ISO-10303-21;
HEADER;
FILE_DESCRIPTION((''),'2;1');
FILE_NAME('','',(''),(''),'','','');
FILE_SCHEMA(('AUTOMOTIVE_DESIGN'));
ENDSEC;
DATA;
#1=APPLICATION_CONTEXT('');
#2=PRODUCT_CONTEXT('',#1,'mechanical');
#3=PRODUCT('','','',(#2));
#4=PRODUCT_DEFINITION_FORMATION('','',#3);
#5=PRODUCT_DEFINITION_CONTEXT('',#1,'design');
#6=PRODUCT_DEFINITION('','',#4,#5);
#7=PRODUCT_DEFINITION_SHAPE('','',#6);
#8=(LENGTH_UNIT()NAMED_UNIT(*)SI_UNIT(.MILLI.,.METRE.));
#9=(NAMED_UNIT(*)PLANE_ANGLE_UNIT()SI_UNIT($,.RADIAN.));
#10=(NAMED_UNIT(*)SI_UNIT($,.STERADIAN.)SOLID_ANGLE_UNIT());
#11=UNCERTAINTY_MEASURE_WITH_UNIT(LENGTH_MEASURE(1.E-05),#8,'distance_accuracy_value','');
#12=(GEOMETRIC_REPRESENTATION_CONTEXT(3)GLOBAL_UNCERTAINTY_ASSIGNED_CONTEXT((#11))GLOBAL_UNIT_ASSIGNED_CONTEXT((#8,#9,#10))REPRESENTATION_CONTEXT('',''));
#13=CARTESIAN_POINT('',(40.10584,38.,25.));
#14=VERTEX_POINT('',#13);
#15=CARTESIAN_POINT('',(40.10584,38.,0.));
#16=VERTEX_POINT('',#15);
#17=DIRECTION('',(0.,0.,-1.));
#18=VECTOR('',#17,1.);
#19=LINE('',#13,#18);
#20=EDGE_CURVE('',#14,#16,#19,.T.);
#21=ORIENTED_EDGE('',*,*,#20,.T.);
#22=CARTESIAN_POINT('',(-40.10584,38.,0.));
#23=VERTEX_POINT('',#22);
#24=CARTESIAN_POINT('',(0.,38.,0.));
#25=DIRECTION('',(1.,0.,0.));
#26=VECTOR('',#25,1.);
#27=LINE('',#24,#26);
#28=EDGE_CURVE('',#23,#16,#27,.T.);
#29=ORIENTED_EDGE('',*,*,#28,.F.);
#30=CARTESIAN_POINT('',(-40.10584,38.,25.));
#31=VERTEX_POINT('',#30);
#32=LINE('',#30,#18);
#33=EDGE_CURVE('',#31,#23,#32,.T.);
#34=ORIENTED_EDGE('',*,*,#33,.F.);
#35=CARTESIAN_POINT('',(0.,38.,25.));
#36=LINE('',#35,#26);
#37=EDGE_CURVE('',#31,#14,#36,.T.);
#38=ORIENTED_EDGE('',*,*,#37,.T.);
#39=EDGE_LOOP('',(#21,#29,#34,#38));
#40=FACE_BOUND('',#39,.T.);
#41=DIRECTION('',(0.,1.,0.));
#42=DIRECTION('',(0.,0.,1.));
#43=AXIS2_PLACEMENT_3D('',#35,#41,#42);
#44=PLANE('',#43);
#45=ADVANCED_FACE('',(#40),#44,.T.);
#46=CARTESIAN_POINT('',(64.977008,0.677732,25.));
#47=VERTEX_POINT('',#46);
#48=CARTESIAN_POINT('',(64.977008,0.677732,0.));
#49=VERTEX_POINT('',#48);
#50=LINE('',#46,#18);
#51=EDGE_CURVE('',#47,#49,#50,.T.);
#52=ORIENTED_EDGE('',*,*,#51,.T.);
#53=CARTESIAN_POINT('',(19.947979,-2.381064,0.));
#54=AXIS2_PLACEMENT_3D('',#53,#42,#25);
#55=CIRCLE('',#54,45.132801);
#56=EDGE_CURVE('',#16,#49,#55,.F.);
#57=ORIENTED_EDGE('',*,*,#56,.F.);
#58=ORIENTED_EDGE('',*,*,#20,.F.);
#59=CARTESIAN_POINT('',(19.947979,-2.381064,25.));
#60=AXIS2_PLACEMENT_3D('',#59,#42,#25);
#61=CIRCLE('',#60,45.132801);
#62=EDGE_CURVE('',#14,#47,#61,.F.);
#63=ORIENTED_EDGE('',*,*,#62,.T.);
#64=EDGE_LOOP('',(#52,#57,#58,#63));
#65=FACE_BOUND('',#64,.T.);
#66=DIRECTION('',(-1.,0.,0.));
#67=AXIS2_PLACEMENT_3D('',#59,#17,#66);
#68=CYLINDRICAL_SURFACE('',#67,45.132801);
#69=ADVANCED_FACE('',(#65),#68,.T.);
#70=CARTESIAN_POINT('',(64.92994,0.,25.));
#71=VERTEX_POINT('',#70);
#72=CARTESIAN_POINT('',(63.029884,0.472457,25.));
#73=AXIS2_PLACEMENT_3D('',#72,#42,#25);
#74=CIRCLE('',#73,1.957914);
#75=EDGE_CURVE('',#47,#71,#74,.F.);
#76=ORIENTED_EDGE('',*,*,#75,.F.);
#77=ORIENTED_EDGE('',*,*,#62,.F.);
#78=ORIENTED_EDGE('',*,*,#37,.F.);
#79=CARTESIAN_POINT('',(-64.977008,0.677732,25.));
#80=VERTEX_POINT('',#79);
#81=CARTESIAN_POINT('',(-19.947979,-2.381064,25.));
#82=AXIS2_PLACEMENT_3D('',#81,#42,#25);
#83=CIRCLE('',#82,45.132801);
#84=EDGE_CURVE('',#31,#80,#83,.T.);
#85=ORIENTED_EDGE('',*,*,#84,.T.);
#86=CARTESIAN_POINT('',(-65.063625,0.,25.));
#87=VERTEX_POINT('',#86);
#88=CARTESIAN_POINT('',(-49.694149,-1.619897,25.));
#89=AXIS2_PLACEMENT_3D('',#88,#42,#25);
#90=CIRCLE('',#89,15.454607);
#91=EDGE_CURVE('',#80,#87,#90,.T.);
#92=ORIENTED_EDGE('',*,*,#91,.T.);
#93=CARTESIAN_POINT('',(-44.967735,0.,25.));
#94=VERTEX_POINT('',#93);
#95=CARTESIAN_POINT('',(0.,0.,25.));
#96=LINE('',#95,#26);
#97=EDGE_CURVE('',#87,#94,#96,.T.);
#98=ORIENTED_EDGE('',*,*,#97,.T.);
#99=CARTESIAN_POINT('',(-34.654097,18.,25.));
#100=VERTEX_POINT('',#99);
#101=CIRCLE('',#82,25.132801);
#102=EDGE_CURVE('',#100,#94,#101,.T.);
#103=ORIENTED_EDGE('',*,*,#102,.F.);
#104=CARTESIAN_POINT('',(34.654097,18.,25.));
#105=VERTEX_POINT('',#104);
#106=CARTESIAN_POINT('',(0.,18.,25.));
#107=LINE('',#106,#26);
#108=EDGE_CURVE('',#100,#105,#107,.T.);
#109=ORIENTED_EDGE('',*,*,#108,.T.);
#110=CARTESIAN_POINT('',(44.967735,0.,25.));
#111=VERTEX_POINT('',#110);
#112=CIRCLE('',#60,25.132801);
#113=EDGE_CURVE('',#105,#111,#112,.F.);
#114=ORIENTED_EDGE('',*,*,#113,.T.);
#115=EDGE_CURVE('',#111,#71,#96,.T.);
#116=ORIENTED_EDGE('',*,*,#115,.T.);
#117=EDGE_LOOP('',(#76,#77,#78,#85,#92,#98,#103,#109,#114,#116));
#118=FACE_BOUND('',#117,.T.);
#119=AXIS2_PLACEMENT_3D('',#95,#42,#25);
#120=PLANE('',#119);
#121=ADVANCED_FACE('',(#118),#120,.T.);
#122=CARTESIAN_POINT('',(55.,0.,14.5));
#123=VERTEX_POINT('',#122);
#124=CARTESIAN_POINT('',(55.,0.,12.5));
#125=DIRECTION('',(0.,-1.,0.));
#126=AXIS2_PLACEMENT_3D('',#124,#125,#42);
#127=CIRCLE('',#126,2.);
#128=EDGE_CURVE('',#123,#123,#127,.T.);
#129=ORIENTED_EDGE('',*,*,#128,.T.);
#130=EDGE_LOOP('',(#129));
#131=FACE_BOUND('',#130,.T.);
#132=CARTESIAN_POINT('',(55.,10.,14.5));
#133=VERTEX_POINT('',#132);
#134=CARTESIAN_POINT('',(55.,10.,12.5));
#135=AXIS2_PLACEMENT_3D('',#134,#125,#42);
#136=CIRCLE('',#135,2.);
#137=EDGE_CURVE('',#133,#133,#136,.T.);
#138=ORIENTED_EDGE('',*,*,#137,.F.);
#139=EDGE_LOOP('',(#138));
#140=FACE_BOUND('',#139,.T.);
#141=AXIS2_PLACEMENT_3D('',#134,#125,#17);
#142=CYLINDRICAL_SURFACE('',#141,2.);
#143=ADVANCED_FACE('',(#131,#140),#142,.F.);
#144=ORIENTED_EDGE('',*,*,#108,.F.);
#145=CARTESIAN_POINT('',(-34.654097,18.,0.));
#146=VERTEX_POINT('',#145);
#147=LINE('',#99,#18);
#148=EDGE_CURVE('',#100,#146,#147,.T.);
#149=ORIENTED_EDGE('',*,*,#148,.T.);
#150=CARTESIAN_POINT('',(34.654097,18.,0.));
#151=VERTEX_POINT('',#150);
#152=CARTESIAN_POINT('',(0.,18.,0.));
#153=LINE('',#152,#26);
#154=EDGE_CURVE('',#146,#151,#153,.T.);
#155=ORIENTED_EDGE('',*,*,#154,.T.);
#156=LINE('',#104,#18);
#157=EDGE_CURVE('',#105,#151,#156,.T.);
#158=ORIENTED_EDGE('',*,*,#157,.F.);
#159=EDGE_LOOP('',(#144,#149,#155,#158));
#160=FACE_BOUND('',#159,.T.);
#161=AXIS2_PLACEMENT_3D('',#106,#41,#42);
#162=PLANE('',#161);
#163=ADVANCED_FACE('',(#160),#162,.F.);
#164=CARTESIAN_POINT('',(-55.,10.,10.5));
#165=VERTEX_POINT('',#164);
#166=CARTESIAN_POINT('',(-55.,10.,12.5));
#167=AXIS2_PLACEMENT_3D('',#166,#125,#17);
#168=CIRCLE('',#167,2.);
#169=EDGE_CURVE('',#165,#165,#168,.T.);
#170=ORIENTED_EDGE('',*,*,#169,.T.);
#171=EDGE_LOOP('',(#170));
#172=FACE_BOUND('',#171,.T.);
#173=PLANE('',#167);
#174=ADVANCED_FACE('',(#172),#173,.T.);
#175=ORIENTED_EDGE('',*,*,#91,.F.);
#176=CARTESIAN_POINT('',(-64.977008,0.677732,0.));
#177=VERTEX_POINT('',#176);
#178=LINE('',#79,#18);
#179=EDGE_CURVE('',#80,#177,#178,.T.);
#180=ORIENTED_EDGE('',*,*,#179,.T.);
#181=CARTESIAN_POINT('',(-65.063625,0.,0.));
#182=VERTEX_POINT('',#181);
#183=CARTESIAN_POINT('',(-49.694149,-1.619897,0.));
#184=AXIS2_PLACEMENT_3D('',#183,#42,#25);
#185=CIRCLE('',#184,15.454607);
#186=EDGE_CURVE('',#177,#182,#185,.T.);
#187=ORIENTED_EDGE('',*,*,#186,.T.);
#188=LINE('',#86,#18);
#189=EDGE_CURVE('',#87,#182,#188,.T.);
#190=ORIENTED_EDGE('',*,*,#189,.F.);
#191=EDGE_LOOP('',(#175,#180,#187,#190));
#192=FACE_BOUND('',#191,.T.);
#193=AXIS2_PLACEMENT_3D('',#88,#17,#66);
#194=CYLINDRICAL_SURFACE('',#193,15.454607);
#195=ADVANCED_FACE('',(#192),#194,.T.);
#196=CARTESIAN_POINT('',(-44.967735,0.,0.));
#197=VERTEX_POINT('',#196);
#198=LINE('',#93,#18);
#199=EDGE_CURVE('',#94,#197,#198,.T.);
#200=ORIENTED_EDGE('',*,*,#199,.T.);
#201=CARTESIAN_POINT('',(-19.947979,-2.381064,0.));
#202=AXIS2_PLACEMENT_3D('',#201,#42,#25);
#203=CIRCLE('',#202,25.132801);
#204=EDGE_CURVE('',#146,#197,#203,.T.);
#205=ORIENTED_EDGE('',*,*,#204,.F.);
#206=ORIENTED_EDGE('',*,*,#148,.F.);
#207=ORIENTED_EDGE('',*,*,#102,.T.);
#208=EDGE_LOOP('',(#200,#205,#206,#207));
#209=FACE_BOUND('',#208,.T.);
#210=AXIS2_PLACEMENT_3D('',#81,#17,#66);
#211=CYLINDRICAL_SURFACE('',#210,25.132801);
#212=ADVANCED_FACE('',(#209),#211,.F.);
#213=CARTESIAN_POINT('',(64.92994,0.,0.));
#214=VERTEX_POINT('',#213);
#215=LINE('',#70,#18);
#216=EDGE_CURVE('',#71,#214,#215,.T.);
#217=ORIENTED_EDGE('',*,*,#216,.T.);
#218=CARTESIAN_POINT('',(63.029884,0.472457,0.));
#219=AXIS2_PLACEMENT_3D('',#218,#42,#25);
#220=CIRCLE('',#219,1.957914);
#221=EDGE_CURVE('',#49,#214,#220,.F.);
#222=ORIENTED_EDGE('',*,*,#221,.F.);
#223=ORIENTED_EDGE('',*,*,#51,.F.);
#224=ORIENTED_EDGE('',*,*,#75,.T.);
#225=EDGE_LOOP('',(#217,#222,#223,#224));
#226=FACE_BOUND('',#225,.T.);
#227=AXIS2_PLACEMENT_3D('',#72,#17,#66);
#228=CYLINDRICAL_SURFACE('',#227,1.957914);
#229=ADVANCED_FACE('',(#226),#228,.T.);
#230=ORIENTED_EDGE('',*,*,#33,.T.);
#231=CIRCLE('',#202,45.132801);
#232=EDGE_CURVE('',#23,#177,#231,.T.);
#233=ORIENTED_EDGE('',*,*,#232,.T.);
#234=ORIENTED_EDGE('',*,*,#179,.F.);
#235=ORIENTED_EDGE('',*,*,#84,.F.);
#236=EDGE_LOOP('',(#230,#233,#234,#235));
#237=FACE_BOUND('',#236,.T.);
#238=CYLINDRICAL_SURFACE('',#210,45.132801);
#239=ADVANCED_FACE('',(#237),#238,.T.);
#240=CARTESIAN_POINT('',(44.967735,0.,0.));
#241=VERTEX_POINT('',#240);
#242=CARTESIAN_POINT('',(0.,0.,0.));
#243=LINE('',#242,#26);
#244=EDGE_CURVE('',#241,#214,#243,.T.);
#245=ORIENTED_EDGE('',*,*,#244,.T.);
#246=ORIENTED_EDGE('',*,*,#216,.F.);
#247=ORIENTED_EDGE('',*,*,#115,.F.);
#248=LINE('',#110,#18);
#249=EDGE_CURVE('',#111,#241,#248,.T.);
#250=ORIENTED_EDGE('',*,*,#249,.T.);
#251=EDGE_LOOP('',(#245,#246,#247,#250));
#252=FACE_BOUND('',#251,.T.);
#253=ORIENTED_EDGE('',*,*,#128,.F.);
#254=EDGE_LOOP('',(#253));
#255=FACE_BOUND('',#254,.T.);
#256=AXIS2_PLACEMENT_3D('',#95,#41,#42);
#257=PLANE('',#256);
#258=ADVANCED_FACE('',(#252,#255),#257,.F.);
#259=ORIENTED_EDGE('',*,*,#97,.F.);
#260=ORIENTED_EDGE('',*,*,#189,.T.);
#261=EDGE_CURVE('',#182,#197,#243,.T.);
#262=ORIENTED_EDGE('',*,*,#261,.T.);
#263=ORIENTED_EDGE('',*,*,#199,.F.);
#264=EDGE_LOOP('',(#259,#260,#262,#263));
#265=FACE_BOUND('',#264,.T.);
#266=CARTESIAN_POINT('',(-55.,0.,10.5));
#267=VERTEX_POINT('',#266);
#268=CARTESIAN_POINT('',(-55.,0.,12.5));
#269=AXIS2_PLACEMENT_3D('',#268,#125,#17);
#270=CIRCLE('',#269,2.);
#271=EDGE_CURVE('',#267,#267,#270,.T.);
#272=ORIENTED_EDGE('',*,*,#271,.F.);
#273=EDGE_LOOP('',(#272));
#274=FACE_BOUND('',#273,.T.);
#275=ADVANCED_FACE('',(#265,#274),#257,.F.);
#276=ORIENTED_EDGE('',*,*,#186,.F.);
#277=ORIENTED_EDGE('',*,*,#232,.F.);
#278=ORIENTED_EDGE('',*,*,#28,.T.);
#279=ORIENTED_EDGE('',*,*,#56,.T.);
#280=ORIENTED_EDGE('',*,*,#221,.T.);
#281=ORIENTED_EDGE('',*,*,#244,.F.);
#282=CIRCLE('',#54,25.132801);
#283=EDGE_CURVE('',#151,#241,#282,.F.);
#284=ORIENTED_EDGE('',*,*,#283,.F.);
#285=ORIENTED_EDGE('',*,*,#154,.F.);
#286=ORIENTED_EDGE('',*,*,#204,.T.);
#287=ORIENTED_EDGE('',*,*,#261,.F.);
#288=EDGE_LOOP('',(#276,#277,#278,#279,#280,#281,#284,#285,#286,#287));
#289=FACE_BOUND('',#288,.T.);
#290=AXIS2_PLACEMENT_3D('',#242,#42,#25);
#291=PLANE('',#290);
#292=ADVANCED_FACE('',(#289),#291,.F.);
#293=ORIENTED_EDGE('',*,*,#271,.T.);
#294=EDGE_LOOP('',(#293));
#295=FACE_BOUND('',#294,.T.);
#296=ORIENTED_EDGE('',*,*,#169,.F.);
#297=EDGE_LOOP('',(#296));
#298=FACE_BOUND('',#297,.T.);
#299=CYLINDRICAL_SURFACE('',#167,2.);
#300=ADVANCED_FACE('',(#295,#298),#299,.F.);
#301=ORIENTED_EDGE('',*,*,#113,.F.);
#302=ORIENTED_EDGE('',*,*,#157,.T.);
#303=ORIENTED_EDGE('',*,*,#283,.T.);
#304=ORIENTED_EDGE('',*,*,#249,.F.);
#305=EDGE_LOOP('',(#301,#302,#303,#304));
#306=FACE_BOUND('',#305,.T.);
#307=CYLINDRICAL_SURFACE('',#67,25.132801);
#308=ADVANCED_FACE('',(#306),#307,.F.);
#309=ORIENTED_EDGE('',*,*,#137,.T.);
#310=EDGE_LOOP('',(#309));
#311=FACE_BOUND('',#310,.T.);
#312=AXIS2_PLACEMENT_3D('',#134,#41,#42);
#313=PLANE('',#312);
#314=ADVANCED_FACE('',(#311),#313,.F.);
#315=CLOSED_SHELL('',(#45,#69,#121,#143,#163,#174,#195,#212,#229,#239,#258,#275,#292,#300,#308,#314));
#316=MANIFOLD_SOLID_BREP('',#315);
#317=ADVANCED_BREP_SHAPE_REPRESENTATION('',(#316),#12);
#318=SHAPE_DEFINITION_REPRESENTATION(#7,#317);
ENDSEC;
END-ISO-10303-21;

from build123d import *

# Parameters (mm, degrees)
BOSS_EXTRUDE1_DEPTH = 25
SKETCH3_R           = 2
CUT_EXTRUDE1_DEPTH  = 10


with BuildPart() as part:
    # Sketch2 → Boss-Extrude1 (new body)
    with BuildSketch(Plane.XY):
        with BuildLine():
            Line((-34.654096647, 18), (33.564112537, 18))
            Line((33.564112537, 18), (34.654096647, 18))
            ThreePointArc((34.654096647, 18), (41.754772696, 10.113790987), (44.967734696, 0))
            Line((44.967734696, 0), (64.929939713, 0))
            ThreePointArc((64.929939713, 0), (64.983093484, 0.336809111), (64.97700751, 0.677732359))
            ThreePointArc((64.97700751, 0.677732359), (57.505542276, 22.646902561), (40.105840234, 38))
            Line((40.105840234, 38), (33.564112537, 38))
            Line((33.564112537, 38), (-40.105840234, 38))
            ThreePointArc((-40.105840234, 38), (-57.505542276, 22.646902561), (-64.97700751, 0.677732359))
            ThreePointArc((-64.97700751, 0.677732359), (-65.02406211, 0.339344907), (-65.063625193, 0))
            Line((-65.063625193, 0), (-44.967734696, 0))
            ThreePointArc((-44.967734696, 0), (-41.754772696, 10.113790987), (-34.654096647, 18))
        make_face()
    extrude(amount=BOSS_EXTRUDE1_DEPTH)

    # Sketch3 → Cut-Extrude1 (cut)
    with BuildSketch(Plane.XZ):
        with Locations(Location((-55, 12.5, 0), (0, 0, 270))):
            Circle(SKETCH3_R)
        with Locations(Location((55, 12.5, 0), (0, 0, 90))):
            Circle(SKETCH3_R)
    extrude(amount=-CUT_EXTRUDE1_DEPTH, mode=Mode.SUBTRACT)


solid = part.part
